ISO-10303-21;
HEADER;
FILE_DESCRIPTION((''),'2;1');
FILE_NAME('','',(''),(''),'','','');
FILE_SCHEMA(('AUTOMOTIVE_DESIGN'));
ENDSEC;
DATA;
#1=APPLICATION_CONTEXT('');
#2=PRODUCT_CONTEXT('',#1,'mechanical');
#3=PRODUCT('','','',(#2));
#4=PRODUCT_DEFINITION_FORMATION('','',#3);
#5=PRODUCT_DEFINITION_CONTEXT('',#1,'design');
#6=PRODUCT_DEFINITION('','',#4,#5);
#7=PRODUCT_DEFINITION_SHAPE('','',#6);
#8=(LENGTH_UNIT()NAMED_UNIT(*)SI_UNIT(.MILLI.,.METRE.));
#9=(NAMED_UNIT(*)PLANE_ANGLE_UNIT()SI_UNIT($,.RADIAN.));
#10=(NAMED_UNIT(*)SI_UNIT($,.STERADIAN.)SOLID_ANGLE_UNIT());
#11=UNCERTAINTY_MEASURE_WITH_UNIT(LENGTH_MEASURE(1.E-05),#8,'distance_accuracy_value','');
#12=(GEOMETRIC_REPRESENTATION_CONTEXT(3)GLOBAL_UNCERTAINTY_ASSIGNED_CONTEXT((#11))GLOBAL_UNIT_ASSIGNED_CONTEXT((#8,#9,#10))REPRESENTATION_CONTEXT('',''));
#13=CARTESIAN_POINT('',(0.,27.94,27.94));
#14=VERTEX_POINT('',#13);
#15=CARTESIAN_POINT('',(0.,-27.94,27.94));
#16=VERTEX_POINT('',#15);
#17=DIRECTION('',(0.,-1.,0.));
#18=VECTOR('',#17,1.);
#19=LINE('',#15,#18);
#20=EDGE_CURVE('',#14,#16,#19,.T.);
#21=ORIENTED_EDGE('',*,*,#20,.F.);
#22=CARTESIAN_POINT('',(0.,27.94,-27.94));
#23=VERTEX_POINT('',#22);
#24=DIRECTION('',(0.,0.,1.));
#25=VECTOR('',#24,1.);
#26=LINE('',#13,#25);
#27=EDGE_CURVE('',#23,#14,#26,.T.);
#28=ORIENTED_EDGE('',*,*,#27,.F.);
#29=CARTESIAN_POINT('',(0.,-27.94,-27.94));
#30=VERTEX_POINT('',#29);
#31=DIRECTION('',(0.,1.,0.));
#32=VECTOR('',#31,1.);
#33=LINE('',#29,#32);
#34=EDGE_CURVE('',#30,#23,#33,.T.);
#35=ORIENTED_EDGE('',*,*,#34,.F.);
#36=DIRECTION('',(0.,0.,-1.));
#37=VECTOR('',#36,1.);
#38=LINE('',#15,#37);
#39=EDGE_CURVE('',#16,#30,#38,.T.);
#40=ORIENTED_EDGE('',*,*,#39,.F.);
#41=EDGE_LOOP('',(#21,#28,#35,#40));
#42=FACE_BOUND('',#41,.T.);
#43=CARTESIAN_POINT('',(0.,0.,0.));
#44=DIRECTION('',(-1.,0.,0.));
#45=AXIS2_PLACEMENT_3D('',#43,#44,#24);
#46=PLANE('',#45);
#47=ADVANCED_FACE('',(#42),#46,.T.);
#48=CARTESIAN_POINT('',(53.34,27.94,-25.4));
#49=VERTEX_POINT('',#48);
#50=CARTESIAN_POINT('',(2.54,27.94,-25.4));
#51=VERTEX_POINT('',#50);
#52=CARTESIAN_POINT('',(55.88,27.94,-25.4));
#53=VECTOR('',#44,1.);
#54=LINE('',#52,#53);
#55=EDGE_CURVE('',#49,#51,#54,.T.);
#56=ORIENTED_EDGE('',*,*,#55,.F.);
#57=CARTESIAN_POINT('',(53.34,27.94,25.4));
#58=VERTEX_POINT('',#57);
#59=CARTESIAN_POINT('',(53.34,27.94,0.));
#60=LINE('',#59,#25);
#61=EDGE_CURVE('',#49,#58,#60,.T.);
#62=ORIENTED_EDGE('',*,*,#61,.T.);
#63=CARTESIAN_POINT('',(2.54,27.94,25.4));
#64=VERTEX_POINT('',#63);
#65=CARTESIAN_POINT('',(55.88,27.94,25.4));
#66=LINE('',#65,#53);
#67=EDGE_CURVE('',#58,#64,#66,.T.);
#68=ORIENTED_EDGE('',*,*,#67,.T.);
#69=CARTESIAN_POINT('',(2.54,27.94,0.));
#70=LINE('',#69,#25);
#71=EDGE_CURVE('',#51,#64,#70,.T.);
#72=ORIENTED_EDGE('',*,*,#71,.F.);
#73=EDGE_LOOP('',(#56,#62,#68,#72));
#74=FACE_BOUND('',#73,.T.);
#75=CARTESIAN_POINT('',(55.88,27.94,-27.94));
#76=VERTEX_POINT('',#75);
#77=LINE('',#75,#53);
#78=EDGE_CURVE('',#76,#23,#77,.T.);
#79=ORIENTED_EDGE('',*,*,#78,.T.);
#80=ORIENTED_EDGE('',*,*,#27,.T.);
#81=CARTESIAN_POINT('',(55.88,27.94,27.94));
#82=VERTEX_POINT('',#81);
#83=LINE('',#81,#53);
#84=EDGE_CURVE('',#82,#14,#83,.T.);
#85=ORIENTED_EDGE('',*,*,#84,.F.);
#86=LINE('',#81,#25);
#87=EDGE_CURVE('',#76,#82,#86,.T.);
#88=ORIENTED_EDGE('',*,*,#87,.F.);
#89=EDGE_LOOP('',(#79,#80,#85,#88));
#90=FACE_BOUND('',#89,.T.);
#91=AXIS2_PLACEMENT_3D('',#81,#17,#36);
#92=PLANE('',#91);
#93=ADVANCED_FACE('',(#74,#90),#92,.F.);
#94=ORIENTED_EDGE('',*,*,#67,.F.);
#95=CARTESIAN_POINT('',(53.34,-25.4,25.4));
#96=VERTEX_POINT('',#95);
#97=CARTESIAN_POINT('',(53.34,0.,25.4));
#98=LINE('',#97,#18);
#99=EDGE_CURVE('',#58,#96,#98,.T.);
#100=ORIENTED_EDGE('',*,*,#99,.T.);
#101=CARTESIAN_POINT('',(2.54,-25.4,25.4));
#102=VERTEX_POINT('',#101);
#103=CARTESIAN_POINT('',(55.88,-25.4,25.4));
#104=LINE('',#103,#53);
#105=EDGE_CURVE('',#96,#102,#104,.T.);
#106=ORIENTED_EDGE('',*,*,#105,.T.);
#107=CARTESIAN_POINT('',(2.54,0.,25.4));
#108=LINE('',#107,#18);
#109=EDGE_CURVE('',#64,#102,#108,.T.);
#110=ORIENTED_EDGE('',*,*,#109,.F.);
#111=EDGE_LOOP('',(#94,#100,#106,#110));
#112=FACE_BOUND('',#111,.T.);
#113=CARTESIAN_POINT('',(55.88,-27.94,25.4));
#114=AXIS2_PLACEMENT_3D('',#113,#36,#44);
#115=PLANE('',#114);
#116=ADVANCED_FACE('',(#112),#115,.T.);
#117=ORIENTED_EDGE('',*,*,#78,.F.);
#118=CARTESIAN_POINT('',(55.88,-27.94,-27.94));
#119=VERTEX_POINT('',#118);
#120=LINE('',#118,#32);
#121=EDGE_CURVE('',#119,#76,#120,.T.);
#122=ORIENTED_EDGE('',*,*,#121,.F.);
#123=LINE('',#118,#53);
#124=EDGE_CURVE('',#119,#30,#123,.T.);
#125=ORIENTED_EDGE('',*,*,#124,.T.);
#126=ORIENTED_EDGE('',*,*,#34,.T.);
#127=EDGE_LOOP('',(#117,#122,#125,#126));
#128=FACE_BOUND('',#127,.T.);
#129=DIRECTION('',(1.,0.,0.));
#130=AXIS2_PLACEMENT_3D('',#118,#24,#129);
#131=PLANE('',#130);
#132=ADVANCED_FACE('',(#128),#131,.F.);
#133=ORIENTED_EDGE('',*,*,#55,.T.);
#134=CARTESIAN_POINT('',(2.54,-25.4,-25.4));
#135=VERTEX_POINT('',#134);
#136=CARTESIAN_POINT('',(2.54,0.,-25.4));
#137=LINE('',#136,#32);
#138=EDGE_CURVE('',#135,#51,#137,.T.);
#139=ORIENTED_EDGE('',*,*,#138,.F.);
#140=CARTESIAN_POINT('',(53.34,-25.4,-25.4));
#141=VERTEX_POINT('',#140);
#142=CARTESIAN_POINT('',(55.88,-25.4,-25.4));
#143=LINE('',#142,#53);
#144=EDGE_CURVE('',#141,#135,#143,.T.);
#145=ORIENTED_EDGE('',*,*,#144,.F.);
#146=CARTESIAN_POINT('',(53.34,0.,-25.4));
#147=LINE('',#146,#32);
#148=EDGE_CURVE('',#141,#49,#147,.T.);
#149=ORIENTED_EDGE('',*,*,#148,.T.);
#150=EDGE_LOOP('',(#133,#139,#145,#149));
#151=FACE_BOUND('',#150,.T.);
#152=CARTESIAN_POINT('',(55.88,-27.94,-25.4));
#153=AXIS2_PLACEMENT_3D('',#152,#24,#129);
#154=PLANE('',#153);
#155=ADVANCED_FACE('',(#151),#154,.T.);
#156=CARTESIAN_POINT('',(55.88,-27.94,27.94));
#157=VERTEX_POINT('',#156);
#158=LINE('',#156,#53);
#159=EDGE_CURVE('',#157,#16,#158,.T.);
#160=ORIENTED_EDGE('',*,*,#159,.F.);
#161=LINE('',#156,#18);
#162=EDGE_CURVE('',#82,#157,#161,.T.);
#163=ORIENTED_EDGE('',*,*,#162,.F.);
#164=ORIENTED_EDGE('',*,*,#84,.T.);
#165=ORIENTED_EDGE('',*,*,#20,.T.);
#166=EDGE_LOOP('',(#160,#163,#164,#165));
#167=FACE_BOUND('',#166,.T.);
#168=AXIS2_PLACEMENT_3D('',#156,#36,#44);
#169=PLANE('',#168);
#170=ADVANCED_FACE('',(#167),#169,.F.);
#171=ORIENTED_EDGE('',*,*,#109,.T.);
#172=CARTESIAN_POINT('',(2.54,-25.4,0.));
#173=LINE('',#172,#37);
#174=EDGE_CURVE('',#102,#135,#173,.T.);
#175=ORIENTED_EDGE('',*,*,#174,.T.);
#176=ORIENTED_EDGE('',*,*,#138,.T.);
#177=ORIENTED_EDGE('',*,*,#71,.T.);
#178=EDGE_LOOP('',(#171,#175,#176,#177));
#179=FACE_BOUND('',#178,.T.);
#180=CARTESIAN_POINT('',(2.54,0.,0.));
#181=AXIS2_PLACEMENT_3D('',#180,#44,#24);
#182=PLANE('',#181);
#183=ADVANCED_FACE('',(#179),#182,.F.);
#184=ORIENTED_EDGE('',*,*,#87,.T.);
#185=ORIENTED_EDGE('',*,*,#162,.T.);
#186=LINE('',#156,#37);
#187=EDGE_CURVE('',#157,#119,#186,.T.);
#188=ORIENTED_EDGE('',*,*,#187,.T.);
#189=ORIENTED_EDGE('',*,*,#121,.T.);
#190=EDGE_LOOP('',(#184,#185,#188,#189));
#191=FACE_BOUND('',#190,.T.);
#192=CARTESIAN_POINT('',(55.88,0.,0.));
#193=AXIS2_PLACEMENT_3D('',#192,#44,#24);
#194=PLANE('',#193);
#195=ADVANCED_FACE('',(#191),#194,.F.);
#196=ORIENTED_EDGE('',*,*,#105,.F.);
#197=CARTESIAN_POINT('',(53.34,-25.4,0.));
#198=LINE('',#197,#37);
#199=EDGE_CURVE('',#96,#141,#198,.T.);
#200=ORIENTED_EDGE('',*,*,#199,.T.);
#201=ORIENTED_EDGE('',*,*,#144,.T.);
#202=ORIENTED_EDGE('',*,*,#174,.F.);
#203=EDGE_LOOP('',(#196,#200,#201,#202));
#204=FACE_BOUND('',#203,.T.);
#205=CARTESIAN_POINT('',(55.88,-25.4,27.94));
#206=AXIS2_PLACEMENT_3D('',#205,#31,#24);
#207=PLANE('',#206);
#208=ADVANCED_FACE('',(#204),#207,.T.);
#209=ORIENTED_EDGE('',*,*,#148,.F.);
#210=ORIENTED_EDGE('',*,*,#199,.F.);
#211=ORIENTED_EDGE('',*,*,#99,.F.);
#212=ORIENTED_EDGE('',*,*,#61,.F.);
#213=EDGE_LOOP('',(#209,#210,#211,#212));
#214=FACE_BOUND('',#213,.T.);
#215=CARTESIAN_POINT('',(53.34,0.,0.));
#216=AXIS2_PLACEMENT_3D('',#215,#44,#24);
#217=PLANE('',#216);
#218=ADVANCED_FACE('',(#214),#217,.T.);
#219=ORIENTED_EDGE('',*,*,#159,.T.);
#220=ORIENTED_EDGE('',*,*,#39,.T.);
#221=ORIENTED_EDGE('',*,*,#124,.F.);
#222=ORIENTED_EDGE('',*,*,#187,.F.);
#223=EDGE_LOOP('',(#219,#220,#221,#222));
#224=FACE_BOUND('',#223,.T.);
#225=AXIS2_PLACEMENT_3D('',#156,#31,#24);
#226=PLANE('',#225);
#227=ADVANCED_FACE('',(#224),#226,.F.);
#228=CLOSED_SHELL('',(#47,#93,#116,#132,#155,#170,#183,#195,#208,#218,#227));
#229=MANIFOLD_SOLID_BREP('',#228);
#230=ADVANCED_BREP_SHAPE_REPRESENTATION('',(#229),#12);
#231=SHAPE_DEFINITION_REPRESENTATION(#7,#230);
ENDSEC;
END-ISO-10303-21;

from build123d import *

# Parameters (mm, degrees)
SKETCH1_W           = 55.88
SKETCH1_H           = 55.88
BOSS_EXTRUDE1_DEPTH = 55.88
SHELL1_T            = -2.54


with BuildPart() as part:
    # Sketch1 → Boss-Extrude1 (new body)
    with BuildSketch(Plane(origin=(0, 0, 0), x_dir=(0, 0, -1), z_dir=(1, 0, 0))):
        Rectangle(SKETCH1_W, SKETCH1_H)
    extrude(amount=BOSS_EXTRUDE1_DEPTH)

    # Shell1
    shell1_openings = [part.faces().sort_by_distance(p)[0] for p in [
        (27.94, 27.94, 0),
    ]]
    offset(amount=SHELL1_T, openings=shell1_openings, kind=Kind.INTERSECTION)


solid = part.part
